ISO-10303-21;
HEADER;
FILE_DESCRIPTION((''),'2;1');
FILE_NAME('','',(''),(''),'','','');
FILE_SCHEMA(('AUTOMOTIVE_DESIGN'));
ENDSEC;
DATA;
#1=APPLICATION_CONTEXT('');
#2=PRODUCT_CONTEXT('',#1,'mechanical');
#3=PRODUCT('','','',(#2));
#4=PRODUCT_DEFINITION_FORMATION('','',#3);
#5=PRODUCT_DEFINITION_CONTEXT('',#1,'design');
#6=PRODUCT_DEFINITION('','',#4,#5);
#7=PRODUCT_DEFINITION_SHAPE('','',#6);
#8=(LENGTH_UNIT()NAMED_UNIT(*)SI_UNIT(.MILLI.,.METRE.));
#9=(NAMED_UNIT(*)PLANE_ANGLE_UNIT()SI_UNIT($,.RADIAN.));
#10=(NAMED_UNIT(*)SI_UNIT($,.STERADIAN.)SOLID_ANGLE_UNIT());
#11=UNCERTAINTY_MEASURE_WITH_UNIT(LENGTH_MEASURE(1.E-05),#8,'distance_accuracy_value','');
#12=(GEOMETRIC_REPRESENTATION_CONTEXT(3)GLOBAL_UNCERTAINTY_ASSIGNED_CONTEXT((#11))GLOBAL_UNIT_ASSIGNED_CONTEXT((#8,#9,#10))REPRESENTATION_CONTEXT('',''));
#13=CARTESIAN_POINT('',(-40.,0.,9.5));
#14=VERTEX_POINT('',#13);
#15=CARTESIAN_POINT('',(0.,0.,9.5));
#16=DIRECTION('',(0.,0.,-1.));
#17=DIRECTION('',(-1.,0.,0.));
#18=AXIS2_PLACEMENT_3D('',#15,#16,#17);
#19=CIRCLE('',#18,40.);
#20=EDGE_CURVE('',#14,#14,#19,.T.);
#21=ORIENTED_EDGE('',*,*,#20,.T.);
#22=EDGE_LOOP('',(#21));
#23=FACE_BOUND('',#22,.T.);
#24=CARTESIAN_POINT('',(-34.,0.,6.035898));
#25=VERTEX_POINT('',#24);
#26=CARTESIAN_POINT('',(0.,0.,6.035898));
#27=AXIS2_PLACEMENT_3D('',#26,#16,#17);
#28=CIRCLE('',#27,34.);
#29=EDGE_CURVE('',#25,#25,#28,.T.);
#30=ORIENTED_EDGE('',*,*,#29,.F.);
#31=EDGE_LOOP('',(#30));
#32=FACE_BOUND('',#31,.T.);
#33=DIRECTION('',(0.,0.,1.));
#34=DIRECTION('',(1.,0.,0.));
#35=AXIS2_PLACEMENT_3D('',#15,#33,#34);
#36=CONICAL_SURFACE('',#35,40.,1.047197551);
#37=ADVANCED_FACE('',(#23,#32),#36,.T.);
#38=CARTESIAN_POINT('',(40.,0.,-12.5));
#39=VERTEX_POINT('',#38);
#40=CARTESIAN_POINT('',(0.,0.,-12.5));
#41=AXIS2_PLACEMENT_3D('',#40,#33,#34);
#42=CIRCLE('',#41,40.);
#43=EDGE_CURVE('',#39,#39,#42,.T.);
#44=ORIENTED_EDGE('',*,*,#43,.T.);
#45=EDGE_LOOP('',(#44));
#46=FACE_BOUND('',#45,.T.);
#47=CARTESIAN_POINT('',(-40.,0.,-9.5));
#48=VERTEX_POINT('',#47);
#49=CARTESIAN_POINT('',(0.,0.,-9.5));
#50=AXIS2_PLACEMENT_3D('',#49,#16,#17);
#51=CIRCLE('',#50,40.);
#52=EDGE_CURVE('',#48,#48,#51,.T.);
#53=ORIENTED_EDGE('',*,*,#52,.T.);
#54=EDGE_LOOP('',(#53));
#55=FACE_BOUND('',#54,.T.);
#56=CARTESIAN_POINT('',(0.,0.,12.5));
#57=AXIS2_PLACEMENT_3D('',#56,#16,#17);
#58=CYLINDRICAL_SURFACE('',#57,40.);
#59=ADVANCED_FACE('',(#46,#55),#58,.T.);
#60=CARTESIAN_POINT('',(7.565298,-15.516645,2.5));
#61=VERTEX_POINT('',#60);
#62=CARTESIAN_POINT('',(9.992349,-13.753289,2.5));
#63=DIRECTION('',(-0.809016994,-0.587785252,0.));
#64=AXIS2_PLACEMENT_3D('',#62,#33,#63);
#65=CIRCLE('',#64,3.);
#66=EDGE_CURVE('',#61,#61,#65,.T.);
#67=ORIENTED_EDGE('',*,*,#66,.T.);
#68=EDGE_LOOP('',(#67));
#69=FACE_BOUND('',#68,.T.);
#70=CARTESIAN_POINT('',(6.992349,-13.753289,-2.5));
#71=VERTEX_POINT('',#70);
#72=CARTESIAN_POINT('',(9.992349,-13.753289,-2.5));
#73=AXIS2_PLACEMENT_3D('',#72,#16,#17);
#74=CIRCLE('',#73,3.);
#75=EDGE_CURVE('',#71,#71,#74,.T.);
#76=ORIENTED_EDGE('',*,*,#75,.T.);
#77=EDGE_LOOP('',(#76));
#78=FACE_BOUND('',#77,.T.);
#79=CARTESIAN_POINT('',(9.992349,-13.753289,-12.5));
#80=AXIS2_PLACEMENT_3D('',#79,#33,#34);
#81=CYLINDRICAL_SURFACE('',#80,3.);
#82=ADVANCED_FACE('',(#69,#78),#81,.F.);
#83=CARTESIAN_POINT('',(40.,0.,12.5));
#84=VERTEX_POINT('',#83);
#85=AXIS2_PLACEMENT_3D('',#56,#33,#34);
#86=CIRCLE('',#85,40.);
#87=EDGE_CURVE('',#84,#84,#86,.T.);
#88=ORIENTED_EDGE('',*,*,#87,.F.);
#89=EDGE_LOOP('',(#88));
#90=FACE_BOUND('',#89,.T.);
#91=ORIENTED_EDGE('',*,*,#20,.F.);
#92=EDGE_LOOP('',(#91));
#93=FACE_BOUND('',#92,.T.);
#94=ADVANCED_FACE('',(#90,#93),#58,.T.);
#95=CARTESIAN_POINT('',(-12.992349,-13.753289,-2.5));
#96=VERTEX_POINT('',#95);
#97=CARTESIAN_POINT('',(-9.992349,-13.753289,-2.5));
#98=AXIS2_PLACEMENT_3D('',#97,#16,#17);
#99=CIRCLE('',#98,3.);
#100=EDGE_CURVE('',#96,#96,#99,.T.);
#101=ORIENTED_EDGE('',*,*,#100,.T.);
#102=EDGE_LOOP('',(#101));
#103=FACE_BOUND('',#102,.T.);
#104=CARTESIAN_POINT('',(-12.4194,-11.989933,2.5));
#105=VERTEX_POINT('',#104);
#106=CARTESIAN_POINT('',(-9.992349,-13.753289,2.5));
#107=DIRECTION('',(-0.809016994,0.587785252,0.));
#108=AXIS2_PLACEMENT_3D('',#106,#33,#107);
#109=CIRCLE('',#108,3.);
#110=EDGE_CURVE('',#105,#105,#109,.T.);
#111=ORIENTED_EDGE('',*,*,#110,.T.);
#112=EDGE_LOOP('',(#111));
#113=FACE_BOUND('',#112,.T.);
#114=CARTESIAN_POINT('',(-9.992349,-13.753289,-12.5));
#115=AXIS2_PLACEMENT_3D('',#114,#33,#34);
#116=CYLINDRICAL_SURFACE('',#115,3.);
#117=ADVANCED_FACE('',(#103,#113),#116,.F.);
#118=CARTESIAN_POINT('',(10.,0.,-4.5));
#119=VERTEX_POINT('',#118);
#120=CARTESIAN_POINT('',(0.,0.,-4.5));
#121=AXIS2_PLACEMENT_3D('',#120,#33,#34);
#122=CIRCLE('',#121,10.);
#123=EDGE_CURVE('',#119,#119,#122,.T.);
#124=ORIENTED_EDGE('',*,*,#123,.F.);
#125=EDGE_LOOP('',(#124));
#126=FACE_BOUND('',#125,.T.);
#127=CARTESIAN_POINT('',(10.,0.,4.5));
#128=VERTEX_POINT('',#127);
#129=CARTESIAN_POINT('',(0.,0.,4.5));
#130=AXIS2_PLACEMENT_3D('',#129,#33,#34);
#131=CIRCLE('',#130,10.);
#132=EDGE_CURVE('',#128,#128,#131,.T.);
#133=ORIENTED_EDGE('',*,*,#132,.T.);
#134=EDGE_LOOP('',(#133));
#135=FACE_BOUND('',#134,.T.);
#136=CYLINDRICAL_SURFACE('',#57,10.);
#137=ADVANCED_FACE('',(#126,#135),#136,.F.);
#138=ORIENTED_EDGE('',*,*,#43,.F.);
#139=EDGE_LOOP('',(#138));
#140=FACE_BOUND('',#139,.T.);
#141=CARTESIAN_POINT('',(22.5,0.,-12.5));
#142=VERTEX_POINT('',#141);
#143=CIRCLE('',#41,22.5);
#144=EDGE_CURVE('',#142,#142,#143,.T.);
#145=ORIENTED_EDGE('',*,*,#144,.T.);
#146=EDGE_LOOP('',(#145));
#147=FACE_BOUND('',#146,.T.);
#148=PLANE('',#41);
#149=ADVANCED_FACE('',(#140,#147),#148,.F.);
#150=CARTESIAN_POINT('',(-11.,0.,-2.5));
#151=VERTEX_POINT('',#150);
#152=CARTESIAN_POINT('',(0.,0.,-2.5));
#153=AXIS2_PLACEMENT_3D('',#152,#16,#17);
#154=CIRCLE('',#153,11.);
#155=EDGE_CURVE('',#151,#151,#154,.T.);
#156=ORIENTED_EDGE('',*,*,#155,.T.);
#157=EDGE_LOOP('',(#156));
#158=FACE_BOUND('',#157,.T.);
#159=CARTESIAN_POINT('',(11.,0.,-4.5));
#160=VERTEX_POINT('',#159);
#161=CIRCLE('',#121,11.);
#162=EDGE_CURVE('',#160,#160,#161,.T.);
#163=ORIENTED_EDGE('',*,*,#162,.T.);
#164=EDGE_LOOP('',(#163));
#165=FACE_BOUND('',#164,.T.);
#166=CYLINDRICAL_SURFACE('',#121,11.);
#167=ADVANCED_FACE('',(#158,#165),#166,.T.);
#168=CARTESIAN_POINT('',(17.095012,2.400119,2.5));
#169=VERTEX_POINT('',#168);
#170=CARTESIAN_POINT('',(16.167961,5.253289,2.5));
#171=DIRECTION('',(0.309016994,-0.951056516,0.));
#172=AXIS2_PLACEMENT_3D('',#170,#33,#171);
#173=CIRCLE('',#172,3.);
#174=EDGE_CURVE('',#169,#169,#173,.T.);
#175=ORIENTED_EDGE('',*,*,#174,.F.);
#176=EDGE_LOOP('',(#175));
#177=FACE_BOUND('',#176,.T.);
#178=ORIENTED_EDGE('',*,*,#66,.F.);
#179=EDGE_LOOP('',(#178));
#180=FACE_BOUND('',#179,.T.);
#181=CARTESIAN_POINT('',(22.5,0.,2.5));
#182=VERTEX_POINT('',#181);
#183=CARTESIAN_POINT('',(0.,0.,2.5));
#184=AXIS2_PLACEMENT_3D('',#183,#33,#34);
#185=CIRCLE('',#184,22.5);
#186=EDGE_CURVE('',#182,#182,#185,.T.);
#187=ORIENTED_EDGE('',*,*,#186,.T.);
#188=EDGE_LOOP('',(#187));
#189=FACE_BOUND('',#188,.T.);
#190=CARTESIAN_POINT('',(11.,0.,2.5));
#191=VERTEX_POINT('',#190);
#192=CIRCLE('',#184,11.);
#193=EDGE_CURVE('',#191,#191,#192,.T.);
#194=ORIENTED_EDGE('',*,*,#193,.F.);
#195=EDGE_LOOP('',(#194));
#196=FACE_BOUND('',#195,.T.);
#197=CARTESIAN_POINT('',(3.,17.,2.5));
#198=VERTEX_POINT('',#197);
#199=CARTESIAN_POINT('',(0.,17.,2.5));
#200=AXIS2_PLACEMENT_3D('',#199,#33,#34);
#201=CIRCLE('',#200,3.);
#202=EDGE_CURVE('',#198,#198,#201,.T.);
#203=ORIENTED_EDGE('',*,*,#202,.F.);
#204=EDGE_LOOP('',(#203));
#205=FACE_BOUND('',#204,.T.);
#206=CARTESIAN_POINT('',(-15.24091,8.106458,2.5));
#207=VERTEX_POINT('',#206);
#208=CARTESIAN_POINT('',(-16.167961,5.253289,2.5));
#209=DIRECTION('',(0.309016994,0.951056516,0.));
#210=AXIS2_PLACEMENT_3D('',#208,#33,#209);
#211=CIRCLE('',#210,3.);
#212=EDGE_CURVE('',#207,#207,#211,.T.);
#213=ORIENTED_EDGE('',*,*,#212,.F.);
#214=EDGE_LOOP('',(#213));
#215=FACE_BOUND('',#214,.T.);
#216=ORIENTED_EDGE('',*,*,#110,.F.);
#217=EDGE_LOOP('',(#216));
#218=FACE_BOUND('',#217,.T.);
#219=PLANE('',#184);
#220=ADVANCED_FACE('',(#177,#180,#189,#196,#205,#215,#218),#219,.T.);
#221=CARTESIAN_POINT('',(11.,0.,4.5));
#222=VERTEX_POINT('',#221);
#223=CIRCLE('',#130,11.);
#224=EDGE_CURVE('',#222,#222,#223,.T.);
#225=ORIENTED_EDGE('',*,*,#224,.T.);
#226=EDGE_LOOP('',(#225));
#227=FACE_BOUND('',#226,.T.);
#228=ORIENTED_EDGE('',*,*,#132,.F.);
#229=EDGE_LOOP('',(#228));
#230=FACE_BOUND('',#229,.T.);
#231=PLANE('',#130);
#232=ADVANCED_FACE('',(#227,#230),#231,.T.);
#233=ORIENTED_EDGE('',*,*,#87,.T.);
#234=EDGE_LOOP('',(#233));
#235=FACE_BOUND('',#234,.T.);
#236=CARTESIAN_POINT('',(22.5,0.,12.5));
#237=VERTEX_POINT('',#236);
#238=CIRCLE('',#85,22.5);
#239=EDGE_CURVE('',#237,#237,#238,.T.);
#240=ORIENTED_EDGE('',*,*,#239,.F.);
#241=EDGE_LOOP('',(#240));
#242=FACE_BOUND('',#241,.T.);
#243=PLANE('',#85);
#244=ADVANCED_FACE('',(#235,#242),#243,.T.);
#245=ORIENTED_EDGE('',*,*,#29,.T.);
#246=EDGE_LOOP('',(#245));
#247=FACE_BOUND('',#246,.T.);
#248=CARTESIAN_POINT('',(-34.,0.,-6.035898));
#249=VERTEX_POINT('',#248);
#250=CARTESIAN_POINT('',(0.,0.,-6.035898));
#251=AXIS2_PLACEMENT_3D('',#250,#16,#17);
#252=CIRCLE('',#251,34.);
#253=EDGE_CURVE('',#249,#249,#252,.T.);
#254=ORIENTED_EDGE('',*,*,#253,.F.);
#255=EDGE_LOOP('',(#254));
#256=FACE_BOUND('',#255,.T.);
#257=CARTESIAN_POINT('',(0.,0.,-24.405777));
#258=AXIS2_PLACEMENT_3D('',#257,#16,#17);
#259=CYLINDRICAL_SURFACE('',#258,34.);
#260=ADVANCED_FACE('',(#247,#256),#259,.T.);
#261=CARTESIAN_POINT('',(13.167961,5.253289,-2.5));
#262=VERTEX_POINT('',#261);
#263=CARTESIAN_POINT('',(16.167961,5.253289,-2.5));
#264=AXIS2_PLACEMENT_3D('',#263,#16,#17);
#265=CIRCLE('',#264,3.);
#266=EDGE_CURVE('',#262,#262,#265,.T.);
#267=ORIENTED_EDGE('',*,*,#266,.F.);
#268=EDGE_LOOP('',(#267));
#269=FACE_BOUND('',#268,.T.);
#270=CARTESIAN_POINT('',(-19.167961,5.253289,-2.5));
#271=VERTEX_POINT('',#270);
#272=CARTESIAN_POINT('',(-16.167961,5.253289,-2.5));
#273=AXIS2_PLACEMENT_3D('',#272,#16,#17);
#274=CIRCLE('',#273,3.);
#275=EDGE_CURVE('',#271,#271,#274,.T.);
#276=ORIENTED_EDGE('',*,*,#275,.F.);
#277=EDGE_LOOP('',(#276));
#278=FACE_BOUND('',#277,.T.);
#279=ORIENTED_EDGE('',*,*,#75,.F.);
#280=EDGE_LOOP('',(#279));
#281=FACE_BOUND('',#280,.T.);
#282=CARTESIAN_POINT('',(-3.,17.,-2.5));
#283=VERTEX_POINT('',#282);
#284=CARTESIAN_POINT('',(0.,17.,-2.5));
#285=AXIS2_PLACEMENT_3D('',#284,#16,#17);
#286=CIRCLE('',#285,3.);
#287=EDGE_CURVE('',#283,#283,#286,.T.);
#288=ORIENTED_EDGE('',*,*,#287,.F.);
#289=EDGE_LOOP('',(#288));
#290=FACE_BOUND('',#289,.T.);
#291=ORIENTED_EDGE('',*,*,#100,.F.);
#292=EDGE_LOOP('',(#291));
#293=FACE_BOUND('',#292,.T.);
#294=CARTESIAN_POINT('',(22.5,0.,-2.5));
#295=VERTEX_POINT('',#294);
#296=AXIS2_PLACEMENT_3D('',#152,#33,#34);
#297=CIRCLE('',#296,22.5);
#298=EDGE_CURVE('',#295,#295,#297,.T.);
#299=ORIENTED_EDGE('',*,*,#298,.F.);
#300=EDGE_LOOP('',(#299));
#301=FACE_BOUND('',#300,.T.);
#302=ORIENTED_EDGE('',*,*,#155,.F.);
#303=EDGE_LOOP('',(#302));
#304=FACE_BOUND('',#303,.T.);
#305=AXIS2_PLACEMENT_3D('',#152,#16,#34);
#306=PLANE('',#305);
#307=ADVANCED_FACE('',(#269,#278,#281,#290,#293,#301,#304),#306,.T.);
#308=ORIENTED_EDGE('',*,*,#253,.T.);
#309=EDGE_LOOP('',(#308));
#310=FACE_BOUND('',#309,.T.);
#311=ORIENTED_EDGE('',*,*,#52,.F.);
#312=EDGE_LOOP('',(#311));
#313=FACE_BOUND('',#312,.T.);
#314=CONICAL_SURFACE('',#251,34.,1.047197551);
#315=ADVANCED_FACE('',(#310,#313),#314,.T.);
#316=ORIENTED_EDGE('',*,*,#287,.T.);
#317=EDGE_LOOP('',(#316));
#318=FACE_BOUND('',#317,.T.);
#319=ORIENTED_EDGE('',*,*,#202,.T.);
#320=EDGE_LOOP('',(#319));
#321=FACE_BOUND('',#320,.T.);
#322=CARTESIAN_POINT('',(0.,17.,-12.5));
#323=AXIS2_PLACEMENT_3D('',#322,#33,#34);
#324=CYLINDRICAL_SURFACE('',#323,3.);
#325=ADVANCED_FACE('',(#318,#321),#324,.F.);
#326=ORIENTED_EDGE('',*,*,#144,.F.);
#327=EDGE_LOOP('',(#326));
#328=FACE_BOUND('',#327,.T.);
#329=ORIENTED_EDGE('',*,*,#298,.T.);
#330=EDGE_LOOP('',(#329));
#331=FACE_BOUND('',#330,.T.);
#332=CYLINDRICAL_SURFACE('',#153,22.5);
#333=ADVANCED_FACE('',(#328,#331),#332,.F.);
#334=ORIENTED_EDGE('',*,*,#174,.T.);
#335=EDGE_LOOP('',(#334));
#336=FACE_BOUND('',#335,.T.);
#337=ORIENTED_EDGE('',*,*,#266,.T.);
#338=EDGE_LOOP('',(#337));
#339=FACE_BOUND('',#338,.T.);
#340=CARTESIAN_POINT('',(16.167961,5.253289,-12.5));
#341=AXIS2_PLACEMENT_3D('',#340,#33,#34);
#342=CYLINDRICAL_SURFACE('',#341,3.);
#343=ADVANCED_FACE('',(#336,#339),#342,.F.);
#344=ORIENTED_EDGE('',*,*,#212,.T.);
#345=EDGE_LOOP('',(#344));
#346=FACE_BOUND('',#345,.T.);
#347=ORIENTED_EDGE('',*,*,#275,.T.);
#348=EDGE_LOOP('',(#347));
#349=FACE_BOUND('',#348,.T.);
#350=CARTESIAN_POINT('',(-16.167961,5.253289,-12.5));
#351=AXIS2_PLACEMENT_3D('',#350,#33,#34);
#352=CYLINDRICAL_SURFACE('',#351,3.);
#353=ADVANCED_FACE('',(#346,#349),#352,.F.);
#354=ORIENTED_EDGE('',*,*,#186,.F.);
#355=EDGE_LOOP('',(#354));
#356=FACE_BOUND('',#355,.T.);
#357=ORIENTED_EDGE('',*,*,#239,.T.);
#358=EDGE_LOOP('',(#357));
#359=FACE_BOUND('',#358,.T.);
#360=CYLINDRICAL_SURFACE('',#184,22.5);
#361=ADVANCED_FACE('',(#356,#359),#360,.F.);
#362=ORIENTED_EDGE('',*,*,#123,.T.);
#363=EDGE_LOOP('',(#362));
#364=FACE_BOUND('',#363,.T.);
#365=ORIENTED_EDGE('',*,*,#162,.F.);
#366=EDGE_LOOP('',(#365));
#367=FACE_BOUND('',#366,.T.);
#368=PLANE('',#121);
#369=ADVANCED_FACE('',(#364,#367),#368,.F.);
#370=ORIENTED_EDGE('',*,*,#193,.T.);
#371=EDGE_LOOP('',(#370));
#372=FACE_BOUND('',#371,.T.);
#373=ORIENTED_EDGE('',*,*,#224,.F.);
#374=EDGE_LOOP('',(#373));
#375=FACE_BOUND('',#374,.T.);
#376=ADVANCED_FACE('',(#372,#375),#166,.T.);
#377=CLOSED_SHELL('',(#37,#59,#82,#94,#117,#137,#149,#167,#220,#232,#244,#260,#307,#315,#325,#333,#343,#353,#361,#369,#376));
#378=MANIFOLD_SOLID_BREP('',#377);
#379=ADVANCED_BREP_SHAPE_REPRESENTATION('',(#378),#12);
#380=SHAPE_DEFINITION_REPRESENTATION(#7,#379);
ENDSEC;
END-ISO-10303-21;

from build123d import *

# Parameters (mm, degrees)
SKETCH1_R                = 40
SKETCH1_R_2              = 10
BOSS_EXTRUDE1_DEPTH      = 12.5
SKETCH2_R                = 22.5
CUT_EXTRUDE1_DEPTH       = 10
SKETCH4_R                = 3
CUT_EXTRUDE2_DEPTH       = 16
CIRPATTERN1_COUNT        = 5
SKETCH5_R                = 11
SKETCH5_R_2              = 10
BOSS_EXTRUDE2_DEPTH      = 2
BOSS_EXTRUDE2_DEPTH_BACK = 7


with BuildPart() as part:
    # Sketch1 → Boss-Extrude1 (new body, symmetric)
    with BuildSketch(Plane.XY):
        Circle(SKETCH1_R)
        Circle(SKETCH1_R_2, mode=Mode.SUBTRACT)
    extrude(amount=BOSS_EXTRUDE1_DEPTH, both=True)

    # Sketch2 → Cut-Extrude1 (cut)
    with BuildSketch(Plane.XY.offset(12.5)):
        Circle(SKETCH2_R)
    cut_extrude1 = extrude(amount=-CUT_EXTRUDE1_DEPTH, mode=Mode.SUBTRACT)

    # Mirror1: Cut-Extrude1 across plane
    add(cut_extrude1.mirror(Plane.XY), mode=Mode.SUBTRACT)

    # Sketch4 → Cut-Extrude2 (cut, through all)
    with BuildSketch(Plane.XY.offset(2.5)):
        with Locations((0, 17)):
            Circle(SKETCH4_R)
    cut_extrude2 = extrude(amount=-CUT_EXTRUDE2_DEPTH, mode=Mode.SUBTRACT)

    # CirPattern1: Cut-Extrude2 ×5 about axis
    cirpattern1_axis = Axis((0, 0, 0), (0, 0, 1))
    for i in range(1, CIRPATTERN1_COUNT):
        add(cut_extrude2.rotate(cirpattern1_axis, i * 360 / CIRPATTERN1_COUNT), mode=Mode.SUBTRACT)

    # Sketch5 → Boss-Extrude2 (add, two sides)
    with BuildSketch(Plane.XY.offset(2.5)) as boss_extrude2_sk:
        Circle(SKETCH5_R)
        Circle(SKETCH5_R_2, mode=Mode.SUBTRACT)
    extrude(amount=BOSS_EXTRUDE2_DEPTH)
    extrude(boss_extrude2_sk.sketch, amount=-BOSS_EXTRUDE2_DEPTH_BACK)

    # Sketch6 → Cut-Revolve1 (revolve, cut)
    with BuildSketch(Plane(origin=(0, 0, 0), x_dir=(1, 0, 0), z_dir=(0, 1, 0))):
        Polygon((-40, 9.5), (-34, 6.035898385), (-34, -6.035898385), (-40, -9.5), align=None)
    revolve(axis=Axis((0, 0, -24.405777443), (0, 0, 1)), mode=Mode.SUBTRACT)


solid = part.part
